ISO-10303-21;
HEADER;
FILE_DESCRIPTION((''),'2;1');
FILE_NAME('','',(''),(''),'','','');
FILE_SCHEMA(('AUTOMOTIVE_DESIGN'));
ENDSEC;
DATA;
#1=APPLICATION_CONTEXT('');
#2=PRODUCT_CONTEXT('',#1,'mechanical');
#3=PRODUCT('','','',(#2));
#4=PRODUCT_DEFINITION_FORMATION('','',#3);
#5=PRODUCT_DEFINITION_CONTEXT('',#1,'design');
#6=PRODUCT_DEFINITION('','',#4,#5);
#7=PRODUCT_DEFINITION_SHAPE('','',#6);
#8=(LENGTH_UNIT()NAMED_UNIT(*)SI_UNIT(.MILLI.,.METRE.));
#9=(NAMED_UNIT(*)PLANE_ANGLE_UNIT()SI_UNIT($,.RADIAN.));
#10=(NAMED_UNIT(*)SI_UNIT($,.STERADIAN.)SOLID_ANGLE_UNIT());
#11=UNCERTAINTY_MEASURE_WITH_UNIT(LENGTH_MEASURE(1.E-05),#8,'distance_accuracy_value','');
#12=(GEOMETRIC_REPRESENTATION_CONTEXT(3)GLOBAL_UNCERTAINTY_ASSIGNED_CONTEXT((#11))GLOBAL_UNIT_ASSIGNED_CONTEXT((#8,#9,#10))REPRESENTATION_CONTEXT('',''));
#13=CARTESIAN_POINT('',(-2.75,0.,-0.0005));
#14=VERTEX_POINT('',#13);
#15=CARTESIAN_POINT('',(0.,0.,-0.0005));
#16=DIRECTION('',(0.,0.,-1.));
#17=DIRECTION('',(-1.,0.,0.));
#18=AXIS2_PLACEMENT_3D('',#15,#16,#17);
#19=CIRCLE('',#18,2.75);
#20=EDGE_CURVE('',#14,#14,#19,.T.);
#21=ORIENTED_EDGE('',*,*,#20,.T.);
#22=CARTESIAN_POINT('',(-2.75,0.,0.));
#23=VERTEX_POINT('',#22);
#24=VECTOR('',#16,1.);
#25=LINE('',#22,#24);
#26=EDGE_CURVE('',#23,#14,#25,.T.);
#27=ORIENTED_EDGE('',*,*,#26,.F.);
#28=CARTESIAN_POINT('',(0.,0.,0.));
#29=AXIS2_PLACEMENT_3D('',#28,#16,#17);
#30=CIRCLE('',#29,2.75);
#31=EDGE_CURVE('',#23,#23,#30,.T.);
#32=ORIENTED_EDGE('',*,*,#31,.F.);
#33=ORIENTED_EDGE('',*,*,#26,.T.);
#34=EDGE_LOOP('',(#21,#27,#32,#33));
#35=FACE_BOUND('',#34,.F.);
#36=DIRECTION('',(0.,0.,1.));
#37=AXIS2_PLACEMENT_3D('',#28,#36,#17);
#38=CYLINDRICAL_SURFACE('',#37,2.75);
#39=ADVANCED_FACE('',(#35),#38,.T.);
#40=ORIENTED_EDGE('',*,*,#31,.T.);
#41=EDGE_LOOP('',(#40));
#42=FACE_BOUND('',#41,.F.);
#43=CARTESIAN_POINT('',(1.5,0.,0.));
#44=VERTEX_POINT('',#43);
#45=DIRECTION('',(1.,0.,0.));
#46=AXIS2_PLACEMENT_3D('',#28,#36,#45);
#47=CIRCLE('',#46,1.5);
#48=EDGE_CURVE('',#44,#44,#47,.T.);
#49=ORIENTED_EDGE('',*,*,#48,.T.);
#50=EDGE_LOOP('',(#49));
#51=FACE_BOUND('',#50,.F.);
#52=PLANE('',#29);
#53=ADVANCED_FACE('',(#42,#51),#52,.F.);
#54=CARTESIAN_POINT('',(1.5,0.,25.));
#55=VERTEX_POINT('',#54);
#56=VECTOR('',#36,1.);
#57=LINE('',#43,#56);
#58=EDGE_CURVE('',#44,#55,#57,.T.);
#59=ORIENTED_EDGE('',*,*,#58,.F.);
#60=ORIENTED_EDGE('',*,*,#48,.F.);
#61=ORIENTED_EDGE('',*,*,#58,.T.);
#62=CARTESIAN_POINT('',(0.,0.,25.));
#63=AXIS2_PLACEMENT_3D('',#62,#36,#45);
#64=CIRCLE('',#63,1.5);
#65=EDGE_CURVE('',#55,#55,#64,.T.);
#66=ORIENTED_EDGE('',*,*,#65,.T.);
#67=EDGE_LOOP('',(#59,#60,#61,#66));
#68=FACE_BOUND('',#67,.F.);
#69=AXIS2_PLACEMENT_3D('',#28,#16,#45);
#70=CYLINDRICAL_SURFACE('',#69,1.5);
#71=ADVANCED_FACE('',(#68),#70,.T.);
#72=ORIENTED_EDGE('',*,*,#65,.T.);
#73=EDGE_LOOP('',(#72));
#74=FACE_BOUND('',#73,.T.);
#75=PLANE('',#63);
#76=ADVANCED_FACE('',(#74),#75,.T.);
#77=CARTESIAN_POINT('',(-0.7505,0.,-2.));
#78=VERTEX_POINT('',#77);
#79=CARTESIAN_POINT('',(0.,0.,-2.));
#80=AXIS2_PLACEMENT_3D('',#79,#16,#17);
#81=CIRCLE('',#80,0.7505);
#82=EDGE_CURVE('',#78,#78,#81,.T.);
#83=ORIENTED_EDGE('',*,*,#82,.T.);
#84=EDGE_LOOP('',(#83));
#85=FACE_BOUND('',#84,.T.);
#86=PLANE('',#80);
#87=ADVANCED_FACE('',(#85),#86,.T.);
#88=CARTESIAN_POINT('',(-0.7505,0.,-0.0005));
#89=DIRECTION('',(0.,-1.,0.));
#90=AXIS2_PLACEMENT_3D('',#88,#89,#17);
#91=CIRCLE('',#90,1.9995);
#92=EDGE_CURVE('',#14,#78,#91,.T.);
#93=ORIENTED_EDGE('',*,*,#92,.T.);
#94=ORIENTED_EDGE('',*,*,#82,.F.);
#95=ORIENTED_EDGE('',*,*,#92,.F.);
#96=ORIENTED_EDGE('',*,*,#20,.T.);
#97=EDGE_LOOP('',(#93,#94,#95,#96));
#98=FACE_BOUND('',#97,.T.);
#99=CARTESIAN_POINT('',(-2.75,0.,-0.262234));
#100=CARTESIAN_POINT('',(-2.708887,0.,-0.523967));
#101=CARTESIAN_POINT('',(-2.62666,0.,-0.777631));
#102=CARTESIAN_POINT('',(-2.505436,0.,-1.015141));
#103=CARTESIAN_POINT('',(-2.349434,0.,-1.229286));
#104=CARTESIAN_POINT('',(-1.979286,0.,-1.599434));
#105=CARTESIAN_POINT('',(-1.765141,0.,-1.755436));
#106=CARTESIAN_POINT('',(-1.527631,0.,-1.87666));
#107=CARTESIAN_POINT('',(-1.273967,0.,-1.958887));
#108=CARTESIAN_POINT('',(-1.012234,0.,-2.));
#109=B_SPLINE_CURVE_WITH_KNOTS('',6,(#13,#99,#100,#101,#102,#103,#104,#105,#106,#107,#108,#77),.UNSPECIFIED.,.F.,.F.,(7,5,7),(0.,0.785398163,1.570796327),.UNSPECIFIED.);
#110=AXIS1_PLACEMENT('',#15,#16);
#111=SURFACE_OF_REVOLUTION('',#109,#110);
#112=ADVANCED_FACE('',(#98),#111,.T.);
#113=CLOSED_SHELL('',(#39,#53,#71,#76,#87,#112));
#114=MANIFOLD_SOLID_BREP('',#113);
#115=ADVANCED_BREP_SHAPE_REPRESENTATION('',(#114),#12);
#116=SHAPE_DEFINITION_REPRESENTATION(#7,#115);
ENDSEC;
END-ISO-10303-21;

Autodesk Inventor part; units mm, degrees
ref_plane "YZ Plane" through (0, 0, 0) normal (1, 0, 0) x (0, 1, 0)
ref_plane "XZ Plane" through (0, 0, 0) normal (0, 1, 0) x (-1, 0, 0)
ref_plane "XY Plane" through (0, 0, 0) normal (0, 0, 1) x (1, 0, 0)
sketch "スケッチ1" plane through (0, 0, 0) normal (0, 0, 1) x (1, 0, 0)
  circle A0 centre (0, 0) radius 1.5
  dimension "d0" = 3
extrude "押し出し1" add sketch "スケッチ1" along normal blind 25
sketch "スケッチ2" plane through (0, 0, 0) normal (0, 0, -1) x (-1, 0, 0)
  circle A0 centre (0, 0) radius 2.75
  dimension "d3" = 5.5
extrude "押し出し2" add sketch "スケッチ2" along normal blind 2
fillet "フィレット1" radius 2 1 edges at (2.75, 0, -2)
thread "ねじ1" size "M3x0.5" class "6g" standard "ANSI Metric M Profile" full length
properties part number "ネジ鍋m3,25" material "鋼、高強度、低合金"
